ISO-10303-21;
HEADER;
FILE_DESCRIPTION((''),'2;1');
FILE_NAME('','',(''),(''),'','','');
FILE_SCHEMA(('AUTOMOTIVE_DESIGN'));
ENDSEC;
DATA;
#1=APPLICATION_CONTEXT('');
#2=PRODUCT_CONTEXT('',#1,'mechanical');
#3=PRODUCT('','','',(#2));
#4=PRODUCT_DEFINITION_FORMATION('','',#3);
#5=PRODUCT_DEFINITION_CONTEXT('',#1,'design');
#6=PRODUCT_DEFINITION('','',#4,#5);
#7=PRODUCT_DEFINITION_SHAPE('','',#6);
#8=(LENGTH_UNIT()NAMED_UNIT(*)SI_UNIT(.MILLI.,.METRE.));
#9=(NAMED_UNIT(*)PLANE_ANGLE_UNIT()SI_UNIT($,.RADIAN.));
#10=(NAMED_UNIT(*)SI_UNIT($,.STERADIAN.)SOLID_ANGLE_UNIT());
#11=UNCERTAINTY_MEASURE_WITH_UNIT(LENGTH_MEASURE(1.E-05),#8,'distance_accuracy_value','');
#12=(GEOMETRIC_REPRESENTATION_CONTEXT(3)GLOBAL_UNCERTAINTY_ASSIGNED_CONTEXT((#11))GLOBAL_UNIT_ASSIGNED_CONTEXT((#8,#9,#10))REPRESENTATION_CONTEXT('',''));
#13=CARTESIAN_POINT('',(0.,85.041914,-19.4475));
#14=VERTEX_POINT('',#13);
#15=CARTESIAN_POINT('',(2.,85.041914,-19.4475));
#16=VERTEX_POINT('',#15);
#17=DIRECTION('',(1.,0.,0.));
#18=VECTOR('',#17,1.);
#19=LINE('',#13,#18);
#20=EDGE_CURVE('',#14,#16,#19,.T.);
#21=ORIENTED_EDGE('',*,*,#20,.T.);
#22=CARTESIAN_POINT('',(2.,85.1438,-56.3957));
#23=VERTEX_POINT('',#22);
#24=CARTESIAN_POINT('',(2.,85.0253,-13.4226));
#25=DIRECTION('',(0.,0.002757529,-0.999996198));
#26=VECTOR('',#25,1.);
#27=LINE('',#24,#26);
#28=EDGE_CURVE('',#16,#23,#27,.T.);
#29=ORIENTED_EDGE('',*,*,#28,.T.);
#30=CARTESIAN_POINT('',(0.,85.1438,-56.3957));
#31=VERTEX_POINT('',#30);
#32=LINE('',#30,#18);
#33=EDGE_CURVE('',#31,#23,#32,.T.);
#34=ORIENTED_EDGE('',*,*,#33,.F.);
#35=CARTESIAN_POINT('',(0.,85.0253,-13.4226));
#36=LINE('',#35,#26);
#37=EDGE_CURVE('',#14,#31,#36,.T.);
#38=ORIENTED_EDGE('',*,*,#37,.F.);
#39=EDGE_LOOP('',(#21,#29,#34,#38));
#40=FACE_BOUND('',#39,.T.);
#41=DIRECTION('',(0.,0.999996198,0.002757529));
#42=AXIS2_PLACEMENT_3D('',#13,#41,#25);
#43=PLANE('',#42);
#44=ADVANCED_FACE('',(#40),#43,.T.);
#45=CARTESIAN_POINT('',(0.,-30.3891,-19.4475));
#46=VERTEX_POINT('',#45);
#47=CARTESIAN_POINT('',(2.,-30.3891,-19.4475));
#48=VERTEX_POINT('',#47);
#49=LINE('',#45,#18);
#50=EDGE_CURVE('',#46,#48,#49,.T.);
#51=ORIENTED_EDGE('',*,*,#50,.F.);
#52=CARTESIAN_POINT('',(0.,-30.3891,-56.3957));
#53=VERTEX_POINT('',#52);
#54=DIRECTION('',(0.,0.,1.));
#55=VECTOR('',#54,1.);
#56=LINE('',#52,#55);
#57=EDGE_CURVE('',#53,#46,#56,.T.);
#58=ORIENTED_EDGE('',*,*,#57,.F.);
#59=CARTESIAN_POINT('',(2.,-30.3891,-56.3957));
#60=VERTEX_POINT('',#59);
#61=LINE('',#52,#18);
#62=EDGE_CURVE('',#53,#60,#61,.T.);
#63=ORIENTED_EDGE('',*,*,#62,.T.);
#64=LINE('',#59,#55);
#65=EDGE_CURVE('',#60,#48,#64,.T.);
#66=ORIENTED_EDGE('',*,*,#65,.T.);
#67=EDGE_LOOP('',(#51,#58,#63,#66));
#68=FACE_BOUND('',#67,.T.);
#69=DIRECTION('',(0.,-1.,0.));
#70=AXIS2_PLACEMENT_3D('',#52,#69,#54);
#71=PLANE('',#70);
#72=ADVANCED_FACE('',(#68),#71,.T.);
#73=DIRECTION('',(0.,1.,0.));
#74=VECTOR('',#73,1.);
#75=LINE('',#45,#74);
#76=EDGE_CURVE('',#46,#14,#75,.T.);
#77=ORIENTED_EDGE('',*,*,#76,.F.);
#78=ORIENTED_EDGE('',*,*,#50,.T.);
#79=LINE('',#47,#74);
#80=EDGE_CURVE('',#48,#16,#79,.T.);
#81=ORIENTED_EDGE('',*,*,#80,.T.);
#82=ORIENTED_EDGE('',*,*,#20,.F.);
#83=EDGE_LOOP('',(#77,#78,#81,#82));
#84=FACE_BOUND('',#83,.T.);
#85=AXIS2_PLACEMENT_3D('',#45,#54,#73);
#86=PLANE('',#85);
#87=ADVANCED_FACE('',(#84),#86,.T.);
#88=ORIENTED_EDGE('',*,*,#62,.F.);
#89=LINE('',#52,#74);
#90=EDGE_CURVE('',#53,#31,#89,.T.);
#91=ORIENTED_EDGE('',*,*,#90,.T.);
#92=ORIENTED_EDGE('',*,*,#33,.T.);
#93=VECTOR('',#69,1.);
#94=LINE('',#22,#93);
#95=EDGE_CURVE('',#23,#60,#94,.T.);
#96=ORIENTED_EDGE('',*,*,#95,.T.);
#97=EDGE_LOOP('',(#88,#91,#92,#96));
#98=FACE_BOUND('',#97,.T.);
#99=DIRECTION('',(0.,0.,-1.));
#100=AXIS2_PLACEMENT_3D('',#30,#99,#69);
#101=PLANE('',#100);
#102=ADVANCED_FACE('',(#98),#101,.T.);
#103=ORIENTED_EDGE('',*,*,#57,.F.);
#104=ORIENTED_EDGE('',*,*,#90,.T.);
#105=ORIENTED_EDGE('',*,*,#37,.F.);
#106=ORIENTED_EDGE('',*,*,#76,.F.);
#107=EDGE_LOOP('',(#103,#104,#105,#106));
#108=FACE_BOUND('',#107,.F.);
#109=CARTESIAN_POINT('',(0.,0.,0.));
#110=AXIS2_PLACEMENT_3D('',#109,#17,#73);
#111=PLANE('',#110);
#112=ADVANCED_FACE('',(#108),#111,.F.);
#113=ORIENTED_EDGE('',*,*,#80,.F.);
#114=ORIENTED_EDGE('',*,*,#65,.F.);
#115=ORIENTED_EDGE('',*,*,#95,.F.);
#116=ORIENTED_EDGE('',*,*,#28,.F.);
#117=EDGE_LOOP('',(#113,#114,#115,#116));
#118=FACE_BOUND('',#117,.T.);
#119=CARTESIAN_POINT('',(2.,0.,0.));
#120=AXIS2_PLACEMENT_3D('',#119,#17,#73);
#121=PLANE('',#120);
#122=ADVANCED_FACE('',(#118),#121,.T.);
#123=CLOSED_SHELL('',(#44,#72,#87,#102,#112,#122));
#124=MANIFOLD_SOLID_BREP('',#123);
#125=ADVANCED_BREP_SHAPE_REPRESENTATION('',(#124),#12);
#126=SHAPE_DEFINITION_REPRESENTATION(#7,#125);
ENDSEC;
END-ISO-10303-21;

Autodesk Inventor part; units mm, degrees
ref_plane "YZ Plane" through (0, 0, 0) normal (1, 0, 0) x (0, 1, 0)
ref_plane "XZ Plane" through (0, 0, 0) normal (0, 1, 0) x (-1, 0, 0)
ref_plane "XY Plane" through (0, 0, 0) normal (0, 0, 1) x (1, 0, 0)
sketch "スケッチ1" plane through (0, 0, 0) normal (1, 0, 0) x (0, 1, 0)
  line L0 (-30.4084, -19.0054) -> (-20.8087, -18.523) projected
  line L1 (-3.8325, -61.445) -> (-30.2876, -62.7743) projected
  line L2 (83.8546, -57.039) -> (74.2549, -57.5213) projected
  line L3 (57.298, -15.0415) -> (84.0537, -13.6971) projected
  line L4 (85.0253, -13.4226) -> (85.1438, -56.3957) projected
  line L5 (-30.2705, -62.4206) -> (-30.3891, -19.4475) projected
  line L6 (85.1438, -56.3957) -> (-30.3891, -56.3957)
  line L7 (-30.3891, -56.3957) -> (-30.3891, -19.4475)
  line L8 (-30.3891, -19.4475) -> (85.1438, -19.4475)
  line L9 (85.1438, -19.4475) -> (85.1438, -56.3957)
  point P0 (-30.2872, -56.3957)
  point P1 (85.0419, -19.4475)
  point P2 (91.25, 11.0629)
  point P3 (66.1927, -41.4702)
  point P4 (95.1556, -3.15)
  point P5 (65.6556, -3.15)
  point P6 (95.1451, -3.15)
  point P7 (65.6451, -3.15)
  point P8 (94.6925, -3.15)
  point P9 (65.1925, -3.15)
  point P10 (94.6803, -3.15)
  point P11 (65.1803, -3.15)
extrude "押し出し1" add sketch "スケッチ1" along normal blind 2 contours L4 L6 L5 L8 | L5 L6 L7
